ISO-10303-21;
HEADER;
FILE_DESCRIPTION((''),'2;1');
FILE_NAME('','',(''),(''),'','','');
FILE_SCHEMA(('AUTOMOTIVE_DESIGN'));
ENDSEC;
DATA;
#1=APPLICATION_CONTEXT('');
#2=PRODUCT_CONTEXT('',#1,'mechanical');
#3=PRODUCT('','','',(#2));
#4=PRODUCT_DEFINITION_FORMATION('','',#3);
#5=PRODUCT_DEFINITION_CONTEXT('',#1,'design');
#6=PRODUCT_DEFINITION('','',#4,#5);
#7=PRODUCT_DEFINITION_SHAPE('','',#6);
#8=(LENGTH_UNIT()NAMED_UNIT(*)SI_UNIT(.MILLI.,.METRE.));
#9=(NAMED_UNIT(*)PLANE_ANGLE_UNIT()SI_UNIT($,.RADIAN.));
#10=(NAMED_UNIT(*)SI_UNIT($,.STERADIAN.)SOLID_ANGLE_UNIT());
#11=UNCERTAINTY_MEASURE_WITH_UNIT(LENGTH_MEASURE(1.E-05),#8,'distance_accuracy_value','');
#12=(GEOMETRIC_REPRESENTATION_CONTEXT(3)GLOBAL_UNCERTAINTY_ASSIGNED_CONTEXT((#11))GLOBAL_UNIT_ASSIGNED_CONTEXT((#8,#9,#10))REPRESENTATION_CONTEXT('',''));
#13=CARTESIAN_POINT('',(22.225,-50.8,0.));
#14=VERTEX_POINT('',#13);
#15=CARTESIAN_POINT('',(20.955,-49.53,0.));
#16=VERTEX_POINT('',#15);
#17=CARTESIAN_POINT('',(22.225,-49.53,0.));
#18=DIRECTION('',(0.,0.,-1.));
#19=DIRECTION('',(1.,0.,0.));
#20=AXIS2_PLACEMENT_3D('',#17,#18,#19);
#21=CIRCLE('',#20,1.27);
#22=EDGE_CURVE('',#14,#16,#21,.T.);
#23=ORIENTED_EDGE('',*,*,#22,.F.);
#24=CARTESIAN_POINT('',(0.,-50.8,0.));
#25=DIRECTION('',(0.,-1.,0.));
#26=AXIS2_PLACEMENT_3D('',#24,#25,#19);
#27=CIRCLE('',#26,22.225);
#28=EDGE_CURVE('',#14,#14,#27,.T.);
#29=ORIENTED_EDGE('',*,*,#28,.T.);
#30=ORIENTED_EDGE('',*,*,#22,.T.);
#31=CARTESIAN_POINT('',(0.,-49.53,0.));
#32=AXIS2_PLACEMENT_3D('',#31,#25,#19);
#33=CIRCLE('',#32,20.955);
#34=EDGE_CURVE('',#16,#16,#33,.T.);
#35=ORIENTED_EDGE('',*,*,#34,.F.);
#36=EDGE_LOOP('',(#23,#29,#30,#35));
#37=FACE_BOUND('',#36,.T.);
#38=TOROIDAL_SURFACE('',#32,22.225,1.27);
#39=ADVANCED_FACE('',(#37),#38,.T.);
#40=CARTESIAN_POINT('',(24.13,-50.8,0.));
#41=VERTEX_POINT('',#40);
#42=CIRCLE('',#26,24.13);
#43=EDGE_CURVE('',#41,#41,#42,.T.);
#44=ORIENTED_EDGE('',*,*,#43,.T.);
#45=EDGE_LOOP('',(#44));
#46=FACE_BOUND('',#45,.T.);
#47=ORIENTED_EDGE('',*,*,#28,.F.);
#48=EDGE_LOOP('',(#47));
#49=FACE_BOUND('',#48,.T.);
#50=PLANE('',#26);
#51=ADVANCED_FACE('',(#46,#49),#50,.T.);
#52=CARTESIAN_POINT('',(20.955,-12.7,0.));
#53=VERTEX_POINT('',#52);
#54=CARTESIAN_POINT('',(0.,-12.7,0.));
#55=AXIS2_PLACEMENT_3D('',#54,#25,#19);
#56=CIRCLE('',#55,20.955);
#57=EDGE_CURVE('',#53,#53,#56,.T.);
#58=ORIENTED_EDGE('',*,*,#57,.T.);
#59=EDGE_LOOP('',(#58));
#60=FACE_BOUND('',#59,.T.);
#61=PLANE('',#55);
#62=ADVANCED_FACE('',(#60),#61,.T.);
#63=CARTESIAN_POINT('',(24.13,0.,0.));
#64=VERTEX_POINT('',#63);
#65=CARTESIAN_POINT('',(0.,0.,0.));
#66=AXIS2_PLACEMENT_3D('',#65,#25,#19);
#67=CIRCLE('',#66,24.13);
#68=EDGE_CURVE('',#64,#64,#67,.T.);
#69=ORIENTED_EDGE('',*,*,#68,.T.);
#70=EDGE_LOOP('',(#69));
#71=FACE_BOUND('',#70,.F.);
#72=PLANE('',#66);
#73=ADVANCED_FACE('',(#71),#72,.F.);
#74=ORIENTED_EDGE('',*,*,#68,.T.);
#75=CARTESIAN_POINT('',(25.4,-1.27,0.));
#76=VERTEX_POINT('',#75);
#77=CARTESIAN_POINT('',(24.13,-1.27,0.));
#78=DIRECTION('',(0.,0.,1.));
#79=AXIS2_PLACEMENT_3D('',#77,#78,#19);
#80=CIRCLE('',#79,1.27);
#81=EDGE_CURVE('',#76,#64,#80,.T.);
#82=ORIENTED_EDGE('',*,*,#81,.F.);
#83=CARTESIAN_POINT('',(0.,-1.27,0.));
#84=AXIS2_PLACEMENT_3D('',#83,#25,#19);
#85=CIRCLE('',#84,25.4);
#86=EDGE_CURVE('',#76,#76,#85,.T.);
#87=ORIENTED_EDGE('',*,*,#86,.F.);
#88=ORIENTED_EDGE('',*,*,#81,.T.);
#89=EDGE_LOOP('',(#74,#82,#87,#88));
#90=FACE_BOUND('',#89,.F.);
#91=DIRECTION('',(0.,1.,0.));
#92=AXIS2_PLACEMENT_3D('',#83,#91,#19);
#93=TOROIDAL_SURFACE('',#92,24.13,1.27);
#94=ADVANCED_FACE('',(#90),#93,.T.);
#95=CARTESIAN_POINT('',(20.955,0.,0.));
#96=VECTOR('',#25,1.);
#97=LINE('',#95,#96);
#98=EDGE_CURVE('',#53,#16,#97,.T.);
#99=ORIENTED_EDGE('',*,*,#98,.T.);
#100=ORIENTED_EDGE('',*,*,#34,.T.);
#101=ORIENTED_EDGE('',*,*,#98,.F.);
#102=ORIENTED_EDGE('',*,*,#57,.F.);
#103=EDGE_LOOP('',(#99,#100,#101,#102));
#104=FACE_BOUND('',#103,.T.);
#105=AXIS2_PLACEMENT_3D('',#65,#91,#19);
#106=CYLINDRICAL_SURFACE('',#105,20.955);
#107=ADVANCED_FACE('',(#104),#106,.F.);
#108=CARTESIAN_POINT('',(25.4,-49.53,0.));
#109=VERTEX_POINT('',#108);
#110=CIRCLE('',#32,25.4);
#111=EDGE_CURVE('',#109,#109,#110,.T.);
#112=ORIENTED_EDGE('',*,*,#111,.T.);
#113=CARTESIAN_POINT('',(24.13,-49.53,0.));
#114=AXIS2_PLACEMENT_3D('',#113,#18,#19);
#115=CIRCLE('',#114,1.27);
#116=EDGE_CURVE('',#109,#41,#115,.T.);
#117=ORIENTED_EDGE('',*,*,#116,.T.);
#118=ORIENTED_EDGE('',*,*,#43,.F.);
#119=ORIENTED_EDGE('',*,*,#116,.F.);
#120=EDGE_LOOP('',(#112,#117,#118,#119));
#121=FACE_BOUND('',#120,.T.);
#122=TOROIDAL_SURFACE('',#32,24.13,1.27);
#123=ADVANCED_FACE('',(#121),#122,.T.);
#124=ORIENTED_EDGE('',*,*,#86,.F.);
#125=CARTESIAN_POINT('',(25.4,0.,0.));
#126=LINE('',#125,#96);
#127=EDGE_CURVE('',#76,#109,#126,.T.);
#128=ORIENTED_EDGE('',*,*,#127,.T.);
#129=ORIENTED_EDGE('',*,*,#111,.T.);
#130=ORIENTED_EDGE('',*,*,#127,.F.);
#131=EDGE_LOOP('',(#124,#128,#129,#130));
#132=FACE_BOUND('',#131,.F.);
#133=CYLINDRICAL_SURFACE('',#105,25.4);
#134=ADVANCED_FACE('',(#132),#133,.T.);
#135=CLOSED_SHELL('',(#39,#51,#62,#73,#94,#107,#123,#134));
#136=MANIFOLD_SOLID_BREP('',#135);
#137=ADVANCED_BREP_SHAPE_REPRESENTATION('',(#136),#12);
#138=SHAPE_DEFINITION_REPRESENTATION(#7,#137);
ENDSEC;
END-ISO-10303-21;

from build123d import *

# Parameters (mm, degrees)
F0_R     = 25.4
F0_R_2   = 20.955
F2_DEPTH = 50.8
F1_R     = 20.955
F3_DEPTH = 12.7
F4_R     = 1.27
F5_R     = 1.27
F6_R     = 1.27


with BuildPart() as f2:
    # F0 (on Front) → F2 (new body)
    with BuildSketch(Plane.XZ):
        Circle(F0_R)
        Circle(F0_R_2, mode=Mode.SUBTRACT)
    extrude(amount=F2_DEPTH)

    # F1 (on face) → F3 (join)
    with BuildSketch(Plane.XZ):
        Circle(F1_R)
    extrude(amount=F3_DEPTH)

    # F4
    f4_edges = [f2.edges().sort_by_distance(p)[0] for p in [
        (-25.4, -50.8, 0),
    ]]
    fillet(f4_edges, radius=F4_R)

    # F5
    f5_edges = [f2.edges().sort_by_distance(p)[0] for p in [
        (-20.955, -50.8, 0),
    ]]
    fillet(f5_edges, radius=F5_R)

    # F6
    f6_edges = [f2.edges().sort_by_distance(p)[0] for p in [
        (-25.4, 0, 0),
    ]]
    fillet(f6_edges, radius=F6_R)


solid = f2.part
